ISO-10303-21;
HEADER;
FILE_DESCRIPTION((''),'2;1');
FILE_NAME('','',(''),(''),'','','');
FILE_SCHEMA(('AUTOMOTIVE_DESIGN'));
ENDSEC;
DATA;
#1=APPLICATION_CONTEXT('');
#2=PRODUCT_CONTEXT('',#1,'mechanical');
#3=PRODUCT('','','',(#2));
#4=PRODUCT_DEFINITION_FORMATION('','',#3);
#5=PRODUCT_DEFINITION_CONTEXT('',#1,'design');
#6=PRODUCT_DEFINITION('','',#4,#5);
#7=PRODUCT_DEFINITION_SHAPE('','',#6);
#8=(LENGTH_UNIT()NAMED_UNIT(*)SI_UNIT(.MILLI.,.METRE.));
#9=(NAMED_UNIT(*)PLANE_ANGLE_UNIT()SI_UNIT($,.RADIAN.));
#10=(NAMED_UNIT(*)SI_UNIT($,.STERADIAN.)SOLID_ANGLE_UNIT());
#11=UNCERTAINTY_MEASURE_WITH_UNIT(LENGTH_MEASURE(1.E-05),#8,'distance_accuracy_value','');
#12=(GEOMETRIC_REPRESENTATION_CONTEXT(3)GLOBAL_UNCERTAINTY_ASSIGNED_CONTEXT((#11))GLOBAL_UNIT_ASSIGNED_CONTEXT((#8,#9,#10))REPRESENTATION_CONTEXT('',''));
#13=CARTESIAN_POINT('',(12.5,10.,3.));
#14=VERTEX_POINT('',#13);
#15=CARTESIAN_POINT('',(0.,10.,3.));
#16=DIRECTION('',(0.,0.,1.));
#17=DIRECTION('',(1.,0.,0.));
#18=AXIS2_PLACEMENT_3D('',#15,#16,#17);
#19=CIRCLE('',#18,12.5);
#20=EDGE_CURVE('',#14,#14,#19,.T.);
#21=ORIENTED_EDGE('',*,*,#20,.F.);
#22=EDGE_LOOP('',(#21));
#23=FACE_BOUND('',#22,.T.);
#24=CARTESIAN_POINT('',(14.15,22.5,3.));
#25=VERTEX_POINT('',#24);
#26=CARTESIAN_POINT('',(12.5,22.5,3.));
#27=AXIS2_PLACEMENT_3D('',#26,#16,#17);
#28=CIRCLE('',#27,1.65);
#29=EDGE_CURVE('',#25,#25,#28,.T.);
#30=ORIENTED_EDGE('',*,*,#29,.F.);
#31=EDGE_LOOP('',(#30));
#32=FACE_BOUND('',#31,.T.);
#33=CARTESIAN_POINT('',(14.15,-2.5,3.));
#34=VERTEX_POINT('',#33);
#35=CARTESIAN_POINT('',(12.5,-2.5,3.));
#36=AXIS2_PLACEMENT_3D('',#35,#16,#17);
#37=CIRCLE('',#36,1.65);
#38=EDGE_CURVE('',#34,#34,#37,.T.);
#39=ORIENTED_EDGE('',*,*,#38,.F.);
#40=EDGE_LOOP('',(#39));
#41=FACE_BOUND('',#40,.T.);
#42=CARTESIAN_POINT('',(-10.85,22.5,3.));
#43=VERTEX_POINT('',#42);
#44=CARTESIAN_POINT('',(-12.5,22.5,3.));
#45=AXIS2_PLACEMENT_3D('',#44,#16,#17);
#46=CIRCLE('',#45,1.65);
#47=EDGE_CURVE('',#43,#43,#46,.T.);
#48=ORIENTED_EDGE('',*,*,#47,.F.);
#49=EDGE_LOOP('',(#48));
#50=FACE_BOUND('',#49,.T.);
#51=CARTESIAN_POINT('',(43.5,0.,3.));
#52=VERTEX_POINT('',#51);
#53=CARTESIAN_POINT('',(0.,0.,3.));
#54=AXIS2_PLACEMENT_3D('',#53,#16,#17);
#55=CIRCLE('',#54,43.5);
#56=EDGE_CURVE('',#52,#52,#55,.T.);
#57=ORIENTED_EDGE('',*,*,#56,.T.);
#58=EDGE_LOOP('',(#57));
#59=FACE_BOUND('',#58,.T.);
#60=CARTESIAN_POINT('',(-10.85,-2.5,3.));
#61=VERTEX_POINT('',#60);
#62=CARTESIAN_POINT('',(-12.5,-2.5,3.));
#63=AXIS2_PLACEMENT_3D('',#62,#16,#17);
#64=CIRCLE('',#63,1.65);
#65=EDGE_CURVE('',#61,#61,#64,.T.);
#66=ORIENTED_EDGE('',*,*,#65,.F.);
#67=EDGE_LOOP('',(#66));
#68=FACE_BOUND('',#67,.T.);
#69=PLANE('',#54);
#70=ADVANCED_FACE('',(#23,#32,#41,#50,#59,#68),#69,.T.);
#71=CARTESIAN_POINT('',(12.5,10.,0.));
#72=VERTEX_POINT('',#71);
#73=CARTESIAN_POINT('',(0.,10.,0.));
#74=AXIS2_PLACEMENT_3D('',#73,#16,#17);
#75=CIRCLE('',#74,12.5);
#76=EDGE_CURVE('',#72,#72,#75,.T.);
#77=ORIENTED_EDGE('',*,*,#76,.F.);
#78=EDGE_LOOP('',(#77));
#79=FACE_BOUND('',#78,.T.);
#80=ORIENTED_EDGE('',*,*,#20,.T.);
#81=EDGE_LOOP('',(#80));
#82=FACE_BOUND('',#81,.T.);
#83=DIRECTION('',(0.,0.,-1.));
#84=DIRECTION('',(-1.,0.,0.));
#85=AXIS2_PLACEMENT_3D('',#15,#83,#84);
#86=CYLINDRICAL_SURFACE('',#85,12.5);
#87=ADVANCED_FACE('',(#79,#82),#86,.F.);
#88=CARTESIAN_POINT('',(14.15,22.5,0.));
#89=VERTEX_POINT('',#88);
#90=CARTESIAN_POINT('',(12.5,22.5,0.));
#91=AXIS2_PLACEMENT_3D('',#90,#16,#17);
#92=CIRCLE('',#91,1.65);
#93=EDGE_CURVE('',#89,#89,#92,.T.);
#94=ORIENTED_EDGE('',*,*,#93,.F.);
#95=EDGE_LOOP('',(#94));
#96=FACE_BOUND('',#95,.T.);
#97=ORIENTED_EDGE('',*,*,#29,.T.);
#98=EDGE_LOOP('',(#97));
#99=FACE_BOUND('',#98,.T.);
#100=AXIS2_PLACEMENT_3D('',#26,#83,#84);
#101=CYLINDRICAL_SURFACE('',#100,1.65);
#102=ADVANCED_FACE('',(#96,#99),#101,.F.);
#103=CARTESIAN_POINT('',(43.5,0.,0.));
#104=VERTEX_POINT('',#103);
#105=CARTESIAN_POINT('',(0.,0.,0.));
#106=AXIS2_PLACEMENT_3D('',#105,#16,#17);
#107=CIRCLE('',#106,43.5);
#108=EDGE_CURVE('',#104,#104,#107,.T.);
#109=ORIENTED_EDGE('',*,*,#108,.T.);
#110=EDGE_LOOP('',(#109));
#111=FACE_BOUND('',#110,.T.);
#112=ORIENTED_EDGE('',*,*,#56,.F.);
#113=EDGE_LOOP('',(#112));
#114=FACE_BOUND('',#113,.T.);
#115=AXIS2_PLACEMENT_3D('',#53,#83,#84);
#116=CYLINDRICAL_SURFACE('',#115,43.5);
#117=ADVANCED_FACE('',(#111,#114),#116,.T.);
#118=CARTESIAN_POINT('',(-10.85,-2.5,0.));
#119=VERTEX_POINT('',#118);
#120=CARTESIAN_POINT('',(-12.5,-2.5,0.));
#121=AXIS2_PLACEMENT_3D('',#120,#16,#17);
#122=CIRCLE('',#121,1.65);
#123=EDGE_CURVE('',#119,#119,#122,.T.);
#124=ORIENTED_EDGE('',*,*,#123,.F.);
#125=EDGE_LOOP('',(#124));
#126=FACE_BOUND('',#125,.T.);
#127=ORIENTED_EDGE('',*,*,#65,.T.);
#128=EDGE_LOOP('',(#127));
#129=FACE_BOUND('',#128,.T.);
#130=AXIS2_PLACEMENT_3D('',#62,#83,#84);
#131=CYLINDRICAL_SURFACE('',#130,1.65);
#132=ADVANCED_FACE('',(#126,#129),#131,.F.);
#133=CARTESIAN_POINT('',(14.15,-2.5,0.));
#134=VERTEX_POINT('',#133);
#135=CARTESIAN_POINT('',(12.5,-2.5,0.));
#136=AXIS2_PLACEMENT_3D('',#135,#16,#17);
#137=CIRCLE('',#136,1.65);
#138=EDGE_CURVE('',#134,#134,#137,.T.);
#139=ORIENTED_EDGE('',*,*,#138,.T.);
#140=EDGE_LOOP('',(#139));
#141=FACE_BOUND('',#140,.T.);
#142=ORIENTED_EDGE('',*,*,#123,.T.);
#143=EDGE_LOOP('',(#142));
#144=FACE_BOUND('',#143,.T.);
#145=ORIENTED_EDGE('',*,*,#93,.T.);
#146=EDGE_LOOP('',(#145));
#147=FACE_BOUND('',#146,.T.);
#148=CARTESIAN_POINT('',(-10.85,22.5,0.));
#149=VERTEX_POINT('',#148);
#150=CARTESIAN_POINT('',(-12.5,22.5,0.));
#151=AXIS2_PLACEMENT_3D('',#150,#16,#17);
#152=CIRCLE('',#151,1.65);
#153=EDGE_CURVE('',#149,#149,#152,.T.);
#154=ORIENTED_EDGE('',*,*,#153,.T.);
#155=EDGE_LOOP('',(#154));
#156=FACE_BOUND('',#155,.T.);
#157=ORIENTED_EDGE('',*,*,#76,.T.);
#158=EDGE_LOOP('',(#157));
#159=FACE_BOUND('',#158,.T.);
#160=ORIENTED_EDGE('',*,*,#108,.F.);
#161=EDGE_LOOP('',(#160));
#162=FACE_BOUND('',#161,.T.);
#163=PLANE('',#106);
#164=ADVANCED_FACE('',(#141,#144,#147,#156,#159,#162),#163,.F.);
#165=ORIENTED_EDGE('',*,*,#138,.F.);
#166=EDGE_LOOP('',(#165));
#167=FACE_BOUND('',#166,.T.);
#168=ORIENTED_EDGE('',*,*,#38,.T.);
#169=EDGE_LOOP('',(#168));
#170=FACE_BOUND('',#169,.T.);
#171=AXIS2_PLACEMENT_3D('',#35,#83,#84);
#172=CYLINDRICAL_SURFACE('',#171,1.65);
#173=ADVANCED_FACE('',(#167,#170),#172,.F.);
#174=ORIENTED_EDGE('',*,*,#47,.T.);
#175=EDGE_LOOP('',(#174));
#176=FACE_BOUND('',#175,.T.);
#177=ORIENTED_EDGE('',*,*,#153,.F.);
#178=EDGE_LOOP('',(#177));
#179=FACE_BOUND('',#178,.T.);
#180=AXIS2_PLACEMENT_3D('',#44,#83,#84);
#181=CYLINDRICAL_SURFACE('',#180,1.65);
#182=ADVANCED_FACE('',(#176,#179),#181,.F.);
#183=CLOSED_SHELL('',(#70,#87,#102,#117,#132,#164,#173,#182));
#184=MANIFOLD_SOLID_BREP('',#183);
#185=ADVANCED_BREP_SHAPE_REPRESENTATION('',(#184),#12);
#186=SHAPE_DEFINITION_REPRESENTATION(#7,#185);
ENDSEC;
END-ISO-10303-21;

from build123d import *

# Parameters (mm, degrees)
SKETCH1_R           = 43.5
SKETCH1_R_2         = 1.65
SKETCH1_R_3         = 12.5
BOSS_EXTRUDE1_DEPTH = 3


with BuildPart() as part:
    # Sketch1 → Boss-Extrude1 (new body)
    with BuildSketch(Plane.XY):
        Circle(SKETCH1_R)
        with Locations((-12.5, -2.5)):
            Circle(SKETCH1_R_2, mode=Mode.SUBTRACT)
        with Locations((12.5, -2.5)):
            Circle(SKETCH1_R_2, mode=Mode.SUBTRACT)
        with Locations((12.5, 22.5)):
            Circle(SKETCH1_R_2, mode=Mode.SUBTRACT)
        with Locations((-12.5, 22.5)):
            Circle(SKETCH1_R_2, mode=Mode.SUBTRACT)
        with Locations((0, 10)):
            Circle(SKETCH1_R_3, mode=Mode.SUBTRACT)
    extrude(amount=BOSS_EXTRUDE1_DEPTH)


solid = part.part
